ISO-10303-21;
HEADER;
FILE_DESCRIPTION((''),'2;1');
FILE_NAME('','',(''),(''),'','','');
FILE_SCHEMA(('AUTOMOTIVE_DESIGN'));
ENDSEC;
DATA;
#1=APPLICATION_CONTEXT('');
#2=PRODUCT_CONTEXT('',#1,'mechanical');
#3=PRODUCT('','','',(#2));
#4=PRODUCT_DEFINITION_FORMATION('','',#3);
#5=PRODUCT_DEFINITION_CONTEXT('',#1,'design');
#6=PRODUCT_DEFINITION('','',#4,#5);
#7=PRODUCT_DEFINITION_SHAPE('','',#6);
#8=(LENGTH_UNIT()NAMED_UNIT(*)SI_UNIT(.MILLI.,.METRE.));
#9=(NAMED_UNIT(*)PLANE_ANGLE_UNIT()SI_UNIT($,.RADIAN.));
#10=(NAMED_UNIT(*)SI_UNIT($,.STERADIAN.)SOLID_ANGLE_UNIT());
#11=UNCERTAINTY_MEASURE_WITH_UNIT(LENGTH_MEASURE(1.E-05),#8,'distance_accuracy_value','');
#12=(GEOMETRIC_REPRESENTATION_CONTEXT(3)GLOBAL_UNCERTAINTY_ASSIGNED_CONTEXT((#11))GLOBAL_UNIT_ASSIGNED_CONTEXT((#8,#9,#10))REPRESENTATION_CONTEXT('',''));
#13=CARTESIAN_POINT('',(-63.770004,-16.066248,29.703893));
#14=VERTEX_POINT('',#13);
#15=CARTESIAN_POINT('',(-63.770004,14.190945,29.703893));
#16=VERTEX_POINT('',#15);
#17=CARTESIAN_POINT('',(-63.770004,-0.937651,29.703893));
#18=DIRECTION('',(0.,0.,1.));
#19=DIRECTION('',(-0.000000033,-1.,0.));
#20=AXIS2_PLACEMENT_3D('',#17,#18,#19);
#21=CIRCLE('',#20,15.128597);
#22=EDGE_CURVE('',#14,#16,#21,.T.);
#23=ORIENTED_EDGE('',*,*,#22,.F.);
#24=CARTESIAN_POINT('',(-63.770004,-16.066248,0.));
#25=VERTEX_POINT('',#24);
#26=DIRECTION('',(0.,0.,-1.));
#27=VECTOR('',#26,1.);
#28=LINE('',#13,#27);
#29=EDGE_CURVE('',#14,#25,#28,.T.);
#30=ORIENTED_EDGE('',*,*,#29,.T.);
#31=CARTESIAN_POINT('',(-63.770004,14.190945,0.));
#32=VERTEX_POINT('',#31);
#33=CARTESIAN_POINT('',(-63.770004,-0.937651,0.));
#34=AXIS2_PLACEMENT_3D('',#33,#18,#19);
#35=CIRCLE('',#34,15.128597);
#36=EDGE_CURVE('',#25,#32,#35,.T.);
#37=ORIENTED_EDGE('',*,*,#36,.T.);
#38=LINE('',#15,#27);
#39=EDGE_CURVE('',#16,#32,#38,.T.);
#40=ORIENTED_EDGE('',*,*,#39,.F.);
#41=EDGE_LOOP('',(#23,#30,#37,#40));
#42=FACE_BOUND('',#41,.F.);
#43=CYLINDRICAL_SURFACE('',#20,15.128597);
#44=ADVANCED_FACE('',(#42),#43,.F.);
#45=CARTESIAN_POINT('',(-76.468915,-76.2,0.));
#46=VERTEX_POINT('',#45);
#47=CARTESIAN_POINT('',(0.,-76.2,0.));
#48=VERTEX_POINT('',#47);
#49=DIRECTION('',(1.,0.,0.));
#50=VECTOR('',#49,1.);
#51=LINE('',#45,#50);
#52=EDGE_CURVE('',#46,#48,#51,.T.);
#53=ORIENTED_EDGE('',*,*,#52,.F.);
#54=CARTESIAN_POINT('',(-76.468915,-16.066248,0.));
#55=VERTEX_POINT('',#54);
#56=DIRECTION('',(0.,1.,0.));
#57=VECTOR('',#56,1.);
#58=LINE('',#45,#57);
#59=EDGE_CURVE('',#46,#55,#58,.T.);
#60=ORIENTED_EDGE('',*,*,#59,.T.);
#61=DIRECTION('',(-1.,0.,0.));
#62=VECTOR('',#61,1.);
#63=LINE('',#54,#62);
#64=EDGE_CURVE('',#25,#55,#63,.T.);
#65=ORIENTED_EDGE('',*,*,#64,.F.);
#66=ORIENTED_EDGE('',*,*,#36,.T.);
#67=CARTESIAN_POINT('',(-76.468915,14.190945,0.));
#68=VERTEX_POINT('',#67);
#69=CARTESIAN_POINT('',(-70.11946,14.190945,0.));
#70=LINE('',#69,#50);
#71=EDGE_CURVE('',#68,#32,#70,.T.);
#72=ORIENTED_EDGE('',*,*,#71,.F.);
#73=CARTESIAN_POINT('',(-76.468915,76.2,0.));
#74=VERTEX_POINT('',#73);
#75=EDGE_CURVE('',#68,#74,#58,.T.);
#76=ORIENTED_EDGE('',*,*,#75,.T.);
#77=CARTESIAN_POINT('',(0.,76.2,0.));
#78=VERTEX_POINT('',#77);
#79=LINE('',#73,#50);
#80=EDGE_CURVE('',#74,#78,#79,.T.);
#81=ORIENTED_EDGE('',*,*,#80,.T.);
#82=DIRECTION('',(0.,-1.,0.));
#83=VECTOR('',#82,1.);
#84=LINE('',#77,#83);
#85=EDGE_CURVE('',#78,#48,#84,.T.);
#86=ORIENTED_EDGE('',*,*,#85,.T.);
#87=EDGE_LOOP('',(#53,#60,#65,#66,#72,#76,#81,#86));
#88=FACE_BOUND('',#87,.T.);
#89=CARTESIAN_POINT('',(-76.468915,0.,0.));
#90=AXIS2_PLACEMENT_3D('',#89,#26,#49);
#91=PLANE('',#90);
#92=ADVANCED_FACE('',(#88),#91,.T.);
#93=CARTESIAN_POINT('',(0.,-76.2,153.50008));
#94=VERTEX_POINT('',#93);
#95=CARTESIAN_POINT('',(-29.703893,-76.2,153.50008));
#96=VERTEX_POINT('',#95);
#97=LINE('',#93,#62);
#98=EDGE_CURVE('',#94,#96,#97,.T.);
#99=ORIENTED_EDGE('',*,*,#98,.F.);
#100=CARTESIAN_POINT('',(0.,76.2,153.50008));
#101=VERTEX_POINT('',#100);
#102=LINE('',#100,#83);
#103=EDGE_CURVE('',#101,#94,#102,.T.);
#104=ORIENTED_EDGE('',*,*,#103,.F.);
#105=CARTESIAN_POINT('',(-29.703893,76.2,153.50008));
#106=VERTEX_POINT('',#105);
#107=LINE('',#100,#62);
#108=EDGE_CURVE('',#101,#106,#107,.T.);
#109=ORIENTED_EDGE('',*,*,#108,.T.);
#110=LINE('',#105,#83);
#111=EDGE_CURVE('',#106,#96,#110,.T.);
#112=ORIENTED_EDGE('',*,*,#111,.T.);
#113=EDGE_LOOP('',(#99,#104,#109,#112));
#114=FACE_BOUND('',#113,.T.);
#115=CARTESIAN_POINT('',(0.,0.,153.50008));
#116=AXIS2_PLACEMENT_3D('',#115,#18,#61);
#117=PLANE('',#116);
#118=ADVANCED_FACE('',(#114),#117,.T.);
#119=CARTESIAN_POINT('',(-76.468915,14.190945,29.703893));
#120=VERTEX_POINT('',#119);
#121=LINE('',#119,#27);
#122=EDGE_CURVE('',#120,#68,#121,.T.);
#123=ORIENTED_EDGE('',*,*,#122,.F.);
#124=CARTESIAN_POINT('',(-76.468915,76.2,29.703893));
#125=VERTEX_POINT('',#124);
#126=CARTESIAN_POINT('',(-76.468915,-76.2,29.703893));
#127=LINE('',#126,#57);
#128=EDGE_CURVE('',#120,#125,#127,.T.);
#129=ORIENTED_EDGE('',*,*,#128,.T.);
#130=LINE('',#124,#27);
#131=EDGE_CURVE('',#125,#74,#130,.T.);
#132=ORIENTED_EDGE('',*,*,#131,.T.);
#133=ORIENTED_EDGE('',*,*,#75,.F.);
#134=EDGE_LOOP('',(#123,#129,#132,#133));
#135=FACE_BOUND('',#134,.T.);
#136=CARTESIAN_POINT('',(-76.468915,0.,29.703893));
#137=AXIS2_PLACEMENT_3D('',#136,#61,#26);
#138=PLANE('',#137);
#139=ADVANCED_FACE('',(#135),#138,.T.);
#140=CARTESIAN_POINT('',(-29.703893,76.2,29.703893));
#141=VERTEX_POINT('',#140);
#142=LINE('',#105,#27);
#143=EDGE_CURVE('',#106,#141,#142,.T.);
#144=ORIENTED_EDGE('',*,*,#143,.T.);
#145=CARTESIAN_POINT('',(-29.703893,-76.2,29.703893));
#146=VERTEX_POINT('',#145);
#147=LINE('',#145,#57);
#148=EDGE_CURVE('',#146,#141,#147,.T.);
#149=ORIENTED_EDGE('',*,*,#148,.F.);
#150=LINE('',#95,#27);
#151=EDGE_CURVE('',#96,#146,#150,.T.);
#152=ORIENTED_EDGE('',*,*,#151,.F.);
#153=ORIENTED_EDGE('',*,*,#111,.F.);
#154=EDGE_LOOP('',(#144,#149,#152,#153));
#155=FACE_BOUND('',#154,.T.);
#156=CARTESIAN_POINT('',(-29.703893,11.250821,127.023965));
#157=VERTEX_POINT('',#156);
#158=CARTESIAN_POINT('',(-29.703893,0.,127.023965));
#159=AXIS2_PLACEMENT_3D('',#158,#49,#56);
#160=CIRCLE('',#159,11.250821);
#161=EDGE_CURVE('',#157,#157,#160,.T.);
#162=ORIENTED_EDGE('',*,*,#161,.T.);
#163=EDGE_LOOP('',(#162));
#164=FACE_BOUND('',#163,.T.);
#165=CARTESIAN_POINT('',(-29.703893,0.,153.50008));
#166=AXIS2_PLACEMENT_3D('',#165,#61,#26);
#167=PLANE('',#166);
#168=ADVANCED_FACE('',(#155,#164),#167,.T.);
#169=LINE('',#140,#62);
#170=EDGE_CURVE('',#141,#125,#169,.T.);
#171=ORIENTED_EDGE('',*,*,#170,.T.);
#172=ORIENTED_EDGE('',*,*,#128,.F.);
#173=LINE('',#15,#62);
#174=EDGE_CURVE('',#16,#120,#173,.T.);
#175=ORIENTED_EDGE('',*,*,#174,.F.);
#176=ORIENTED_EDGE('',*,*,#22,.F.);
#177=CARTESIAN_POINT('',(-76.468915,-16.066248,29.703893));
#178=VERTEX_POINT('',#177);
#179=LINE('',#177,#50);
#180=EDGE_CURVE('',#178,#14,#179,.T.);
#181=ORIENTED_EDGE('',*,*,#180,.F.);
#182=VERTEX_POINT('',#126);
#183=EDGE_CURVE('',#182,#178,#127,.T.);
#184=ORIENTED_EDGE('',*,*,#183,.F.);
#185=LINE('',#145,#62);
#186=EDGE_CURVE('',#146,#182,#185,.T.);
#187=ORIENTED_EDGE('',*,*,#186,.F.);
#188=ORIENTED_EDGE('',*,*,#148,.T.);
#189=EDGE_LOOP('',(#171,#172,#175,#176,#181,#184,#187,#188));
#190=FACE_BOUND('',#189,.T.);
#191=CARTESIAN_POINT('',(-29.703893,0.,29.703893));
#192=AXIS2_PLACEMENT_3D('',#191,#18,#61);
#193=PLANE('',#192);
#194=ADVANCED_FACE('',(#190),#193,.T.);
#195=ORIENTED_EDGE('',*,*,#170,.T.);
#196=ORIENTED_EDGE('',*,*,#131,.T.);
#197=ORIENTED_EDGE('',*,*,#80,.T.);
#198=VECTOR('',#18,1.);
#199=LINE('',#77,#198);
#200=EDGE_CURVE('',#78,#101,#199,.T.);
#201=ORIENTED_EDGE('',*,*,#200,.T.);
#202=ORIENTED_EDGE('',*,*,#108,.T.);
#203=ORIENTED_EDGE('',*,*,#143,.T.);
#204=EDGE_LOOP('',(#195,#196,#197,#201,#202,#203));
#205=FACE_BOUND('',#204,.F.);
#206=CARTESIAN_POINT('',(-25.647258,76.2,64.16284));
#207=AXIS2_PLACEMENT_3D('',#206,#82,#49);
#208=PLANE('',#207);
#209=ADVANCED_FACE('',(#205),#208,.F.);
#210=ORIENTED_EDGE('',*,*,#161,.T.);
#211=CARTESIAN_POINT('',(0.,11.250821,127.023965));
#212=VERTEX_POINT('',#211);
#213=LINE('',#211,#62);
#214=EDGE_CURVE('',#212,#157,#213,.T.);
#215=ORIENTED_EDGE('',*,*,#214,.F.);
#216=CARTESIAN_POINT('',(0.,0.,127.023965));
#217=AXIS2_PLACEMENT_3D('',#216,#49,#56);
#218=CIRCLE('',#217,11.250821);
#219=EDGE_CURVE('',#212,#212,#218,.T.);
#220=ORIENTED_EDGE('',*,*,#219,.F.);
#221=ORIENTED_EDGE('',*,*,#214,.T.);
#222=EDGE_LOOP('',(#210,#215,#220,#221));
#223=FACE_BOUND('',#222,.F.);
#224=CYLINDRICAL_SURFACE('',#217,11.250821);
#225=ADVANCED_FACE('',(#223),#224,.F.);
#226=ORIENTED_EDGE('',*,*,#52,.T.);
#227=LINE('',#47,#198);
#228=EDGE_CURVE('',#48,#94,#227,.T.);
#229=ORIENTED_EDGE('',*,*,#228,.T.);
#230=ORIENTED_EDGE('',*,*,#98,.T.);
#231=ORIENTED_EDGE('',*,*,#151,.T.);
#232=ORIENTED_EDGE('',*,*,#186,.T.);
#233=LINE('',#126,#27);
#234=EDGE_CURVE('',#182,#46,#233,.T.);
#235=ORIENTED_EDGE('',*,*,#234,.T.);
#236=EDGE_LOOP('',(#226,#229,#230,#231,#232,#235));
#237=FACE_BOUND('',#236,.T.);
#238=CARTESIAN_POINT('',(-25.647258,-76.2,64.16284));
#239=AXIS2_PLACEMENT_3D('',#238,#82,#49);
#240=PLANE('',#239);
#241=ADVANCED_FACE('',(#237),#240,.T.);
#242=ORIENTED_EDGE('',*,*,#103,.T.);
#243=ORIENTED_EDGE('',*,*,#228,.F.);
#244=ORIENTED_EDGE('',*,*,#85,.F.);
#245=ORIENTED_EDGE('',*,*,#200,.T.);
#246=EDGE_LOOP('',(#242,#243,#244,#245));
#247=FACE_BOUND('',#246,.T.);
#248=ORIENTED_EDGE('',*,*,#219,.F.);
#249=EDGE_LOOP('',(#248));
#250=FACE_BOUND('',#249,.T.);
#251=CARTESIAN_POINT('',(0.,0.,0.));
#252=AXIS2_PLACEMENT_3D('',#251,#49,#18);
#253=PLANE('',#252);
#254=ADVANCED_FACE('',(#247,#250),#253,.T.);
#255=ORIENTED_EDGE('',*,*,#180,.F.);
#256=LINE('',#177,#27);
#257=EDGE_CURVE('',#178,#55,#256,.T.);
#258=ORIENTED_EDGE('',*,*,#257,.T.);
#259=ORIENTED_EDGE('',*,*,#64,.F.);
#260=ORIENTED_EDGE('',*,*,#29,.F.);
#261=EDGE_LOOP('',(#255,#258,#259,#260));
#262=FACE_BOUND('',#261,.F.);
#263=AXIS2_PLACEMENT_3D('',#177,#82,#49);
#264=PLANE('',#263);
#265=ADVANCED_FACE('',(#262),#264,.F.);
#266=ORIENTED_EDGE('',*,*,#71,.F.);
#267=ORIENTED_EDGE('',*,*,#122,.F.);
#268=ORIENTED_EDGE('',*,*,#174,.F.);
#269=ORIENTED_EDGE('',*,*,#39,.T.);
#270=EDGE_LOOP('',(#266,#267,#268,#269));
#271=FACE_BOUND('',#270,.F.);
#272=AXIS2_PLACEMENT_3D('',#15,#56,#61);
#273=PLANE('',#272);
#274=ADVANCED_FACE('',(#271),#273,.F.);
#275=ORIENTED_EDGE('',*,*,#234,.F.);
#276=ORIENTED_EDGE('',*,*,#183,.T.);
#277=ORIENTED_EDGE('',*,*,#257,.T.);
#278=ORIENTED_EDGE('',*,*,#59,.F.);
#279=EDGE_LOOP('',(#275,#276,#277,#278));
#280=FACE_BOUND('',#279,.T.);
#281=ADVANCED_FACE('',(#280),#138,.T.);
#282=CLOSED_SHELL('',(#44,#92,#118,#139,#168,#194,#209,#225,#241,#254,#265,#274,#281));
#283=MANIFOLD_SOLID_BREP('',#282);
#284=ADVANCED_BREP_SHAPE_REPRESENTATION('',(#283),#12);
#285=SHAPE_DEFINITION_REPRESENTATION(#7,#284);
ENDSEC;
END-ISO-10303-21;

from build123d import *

# Parameters (mm, degrees)
F1_DEPTH = 76.2
F2_R     = 11.250821
F3_DEPTH = 76.469915
F5_DEPTH = 29.704893


with BuildPart() as f1:
    # F0 (on Front) → F1 (new body, symmetric)
    with BuildSketch(Plane.XZ):
        Polygon((-76.468915, 0), (0, 0), (0, 153.50008), (-29.703893, 153.50008), (-29.703893, 29.703893), (-76.468915, 29.703893), align=None)
    extrude(amount=F1_DEPTH, both=True)

    # F2 (on face) → F3 (cut, through all)
    with BuildSketch(Plane.YZ):
        with Locations((0, 127.023965)):
            Circle(F2_R)
    extrude(amount=-F3_DEPTH, mode=Mode.SUBTRACT)

    # F4 (on face) → F5 (cut, through all)
    with BuildSketch(Plane.XY.offset(29.703893)):
        with BuildLine():
            Line((-76.468915, -16.066248), (-63.770004, -16.066248))
            ThreePointArc((-63.770004, -16.066248), (-48.641407, -0.937651), (-63.770004, 14.190945))
            Line((-63.770004, 14.190945), (-76.468915, 14.190945))
            Line((-76.468915, 14.190945), (-76.468915, -16.066248))
        make_face()
    extrude(amount=-F5_DEPTH, mode=Mode.SUBTRACT)


solid = f1.part
